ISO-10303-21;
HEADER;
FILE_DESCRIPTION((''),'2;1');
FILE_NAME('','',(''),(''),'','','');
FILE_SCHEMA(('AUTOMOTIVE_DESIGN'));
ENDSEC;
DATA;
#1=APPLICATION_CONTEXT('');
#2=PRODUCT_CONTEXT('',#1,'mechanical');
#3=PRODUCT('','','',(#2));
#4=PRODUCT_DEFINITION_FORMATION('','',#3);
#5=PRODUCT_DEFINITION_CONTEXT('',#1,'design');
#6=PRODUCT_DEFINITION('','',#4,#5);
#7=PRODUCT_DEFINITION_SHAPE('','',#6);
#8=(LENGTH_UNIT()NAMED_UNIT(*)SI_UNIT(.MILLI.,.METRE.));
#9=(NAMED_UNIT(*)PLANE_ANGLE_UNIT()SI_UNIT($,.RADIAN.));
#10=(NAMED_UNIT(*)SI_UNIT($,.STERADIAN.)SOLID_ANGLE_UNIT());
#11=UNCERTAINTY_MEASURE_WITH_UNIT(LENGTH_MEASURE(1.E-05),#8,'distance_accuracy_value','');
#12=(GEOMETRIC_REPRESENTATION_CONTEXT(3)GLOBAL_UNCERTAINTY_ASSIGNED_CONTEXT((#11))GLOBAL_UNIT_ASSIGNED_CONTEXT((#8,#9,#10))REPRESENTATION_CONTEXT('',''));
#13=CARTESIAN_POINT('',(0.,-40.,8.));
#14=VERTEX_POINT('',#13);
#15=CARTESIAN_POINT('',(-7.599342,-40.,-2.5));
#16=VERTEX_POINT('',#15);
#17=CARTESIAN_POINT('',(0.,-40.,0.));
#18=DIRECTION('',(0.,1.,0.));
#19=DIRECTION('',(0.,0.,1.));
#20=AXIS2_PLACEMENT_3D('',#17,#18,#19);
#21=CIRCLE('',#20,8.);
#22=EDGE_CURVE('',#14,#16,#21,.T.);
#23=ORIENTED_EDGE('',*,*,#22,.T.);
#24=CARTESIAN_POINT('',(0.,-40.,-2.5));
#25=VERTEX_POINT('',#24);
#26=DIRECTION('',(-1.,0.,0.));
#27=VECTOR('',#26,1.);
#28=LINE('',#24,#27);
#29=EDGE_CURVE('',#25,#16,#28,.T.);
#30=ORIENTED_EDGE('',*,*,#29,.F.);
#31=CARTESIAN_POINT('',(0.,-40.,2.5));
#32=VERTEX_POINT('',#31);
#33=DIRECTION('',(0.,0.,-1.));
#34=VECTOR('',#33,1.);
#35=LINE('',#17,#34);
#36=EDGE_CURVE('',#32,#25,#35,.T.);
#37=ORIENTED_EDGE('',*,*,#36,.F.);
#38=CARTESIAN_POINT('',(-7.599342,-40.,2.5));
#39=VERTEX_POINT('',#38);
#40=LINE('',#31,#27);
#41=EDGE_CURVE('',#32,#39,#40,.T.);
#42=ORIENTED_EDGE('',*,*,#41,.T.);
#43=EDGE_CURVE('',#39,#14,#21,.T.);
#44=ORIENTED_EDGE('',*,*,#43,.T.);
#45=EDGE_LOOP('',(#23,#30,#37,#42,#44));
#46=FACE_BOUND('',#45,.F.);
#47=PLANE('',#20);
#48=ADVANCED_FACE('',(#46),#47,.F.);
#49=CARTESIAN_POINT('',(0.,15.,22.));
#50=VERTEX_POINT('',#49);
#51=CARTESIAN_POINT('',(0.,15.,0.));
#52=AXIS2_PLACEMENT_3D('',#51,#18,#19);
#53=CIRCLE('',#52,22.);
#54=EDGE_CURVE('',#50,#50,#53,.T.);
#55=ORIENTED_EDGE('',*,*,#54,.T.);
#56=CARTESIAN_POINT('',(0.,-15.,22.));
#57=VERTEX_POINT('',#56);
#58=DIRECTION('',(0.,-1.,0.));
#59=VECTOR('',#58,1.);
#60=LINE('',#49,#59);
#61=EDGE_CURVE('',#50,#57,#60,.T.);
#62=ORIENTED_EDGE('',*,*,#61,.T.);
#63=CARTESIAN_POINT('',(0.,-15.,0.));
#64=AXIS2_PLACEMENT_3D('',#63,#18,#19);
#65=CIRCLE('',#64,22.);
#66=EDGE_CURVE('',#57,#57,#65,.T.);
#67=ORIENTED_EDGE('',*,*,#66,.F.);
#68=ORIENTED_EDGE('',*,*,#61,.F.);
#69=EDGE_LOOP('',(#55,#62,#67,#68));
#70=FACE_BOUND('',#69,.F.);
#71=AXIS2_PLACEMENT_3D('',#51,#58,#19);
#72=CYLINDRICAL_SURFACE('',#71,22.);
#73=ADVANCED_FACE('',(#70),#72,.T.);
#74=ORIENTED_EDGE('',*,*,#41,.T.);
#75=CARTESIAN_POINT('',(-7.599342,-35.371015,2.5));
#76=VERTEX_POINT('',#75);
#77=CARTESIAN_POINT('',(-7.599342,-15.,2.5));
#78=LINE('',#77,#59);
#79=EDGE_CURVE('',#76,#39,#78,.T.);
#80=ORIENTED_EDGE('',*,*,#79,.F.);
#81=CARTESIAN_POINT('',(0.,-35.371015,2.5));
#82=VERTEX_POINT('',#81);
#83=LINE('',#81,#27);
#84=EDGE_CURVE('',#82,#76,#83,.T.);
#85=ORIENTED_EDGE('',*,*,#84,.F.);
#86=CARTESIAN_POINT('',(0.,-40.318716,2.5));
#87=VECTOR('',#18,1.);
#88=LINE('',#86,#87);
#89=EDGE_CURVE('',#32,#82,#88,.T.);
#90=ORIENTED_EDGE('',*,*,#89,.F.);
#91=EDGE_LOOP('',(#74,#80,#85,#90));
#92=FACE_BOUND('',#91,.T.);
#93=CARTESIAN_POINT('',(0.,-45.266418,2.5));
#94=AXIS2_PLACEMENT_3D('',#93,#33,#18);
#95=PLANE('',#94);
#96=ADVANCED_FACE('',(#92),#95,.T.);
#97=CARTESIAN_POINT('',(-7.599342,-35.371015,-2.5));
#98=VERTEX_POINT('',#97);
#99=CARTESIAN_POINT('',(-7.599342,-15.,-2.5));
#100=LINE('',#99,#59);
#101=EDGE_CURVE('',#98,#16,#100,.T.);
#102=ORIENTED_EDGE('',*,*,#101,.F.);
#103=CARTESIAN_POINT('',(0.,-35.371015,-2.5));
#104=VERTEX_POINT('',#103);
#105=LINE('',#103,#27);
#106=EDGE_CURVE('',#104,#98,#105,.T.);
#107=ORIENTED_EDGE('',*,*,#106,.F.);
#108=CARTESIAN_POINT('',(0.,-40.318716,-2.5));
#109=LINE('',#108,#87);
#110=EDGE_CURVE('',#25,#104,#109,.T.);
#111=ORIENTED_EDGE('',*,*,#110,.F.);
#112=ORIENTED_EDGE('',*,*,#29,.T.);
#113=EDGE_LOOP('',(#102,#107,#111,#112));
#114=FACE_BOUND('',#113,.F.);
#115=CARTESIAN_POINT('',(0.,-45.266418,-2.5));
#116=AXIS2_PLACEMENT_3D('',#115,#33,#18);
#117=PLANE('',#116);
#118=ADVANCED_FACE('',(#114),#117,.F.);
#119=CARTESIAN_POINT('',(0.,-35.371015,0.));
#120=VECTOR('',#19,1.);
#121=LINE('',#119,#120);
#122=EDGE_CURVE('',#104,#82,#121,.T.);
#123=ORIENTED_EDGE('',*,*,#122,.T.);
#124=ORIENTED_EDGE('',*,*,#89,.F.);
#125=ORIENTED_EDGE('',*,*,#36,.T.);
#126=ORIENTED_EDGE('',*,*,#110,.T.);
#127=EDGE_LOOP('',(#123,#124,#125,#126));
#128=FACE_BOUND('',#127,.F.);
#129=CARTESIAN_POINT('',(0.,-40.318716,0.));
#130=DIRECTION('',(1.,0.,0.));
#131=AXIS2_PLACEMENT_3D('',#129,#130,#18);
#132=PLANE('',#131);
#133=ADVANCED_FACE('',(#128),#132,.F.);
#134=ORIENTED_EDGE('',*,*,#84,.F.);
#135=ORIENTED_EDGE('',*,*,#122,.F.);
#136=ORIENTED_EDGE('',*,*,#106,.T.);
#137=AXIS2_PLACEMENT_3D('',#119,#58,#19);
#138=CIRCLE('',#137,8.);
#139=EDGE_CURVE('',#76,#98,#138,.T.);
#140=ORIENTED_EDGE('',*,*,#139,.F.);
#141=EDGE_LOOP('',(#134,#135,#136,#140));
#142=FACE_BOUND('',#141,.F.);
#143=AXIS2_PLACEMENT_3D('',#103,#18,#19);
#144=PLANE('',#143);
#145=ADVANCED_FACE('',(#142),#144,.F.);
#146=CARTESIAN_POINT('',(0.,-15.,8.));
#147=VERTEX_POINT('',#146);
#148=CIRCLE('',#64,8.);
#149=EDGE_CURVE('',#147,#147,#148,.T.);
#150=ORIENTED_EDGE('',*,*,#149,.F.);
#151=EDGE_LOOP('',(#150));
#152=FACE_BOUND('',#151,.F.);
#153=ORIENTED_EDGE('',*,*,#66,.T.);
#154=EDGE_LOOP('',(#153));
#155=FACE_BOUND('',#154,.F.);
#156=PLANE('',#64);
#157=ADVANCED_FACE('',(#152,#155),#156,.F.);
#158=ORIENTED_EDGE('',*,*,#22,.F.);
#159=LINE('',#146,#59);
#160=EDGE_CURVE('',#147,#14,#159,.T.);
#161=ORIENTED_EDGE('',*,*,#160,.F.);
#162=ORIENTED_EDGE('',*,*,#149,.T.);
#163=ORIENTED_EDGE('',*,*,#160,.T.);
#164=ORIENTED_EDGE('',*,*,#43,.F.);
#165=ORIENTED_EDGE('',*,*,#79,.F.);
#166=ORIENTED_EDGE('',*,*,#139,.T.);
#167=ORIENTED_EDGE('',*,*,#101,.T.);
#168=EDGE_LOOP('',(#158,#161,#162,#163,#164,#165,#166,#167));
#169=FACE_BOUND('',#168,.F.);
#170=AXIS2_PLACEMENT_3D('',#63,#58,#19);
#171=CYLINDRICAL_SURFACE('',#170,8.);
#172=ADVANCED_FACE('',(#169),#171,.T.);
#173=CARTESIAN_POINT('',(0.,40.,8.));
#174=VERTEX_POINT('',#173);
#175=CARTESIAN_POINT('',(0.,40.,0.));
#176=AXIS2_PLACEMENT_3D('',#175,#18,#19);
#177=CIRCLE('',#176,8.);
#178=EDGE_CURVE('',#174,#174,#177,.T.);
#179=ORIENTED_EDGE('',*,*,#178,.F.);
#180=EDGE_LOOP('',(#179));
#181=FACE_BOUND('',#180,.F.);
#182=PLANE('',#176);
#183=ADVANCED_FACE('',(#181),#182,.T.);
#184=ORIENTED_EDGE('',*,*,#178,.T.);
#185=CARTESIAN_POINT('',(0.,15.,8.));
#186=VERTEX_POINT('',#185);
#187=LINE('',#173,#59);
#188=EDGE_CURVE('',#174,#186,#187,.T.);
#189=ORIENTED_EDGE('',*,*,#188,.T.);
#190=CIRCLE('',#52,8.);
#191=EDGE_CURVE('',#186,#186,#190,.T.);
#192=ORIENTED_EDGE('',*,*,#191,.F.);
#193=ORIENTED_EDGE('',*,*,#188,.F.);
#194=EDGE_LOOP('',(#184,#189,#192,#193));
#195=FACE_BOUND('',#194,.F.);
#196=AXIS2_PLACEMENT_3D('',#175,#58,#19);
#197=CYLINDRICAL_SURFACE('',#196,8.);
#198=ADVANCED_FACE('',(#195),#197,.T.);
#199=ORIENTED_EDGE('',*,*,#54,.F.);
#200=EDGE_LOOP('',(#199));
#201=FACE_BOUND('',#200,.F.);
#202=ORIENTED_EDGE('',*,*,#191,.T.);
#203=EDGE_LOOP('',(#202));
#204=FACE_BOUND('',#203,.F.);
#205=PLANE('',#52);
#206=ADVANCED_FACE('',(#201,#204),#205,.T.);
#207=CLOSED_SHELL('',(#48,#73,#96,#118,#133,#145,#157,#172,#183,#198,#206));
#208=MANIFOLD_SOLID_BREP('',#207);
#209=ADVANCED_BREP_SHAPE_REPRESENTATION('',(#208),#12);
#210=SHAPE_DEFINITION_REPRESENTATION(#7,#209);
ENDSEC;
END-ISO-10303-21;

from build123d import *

# Parameters (mm, degrees)
F2_W     = 9.895403
F2_H     = 5
F3_DEPTH = 22.001


with BuildPart() as f1:
    # F0 (on Right) → F1 (revolve)
    with BuildSketch(Plane.YZ):
        Polygon((-40, 8), (-40, 0), (40, 0), (40, 8), (15, 8), (15, 22), (-15, 22), (-15, 8), align=None)
    revolve(axis=Axis((0, 14.771244, 0), (0, 1, 0)))

    # F2 (on Right) → F3 (cut, through all)
    with BuildSketch(Plane.YZ):
        with Locations((-40.318716, 0)):
            Rectangle(F2_W, F2_H)
    extrude(amount=-F3_DEPTH, mode=Mode.SUBTRACT)


solid = f1.part
